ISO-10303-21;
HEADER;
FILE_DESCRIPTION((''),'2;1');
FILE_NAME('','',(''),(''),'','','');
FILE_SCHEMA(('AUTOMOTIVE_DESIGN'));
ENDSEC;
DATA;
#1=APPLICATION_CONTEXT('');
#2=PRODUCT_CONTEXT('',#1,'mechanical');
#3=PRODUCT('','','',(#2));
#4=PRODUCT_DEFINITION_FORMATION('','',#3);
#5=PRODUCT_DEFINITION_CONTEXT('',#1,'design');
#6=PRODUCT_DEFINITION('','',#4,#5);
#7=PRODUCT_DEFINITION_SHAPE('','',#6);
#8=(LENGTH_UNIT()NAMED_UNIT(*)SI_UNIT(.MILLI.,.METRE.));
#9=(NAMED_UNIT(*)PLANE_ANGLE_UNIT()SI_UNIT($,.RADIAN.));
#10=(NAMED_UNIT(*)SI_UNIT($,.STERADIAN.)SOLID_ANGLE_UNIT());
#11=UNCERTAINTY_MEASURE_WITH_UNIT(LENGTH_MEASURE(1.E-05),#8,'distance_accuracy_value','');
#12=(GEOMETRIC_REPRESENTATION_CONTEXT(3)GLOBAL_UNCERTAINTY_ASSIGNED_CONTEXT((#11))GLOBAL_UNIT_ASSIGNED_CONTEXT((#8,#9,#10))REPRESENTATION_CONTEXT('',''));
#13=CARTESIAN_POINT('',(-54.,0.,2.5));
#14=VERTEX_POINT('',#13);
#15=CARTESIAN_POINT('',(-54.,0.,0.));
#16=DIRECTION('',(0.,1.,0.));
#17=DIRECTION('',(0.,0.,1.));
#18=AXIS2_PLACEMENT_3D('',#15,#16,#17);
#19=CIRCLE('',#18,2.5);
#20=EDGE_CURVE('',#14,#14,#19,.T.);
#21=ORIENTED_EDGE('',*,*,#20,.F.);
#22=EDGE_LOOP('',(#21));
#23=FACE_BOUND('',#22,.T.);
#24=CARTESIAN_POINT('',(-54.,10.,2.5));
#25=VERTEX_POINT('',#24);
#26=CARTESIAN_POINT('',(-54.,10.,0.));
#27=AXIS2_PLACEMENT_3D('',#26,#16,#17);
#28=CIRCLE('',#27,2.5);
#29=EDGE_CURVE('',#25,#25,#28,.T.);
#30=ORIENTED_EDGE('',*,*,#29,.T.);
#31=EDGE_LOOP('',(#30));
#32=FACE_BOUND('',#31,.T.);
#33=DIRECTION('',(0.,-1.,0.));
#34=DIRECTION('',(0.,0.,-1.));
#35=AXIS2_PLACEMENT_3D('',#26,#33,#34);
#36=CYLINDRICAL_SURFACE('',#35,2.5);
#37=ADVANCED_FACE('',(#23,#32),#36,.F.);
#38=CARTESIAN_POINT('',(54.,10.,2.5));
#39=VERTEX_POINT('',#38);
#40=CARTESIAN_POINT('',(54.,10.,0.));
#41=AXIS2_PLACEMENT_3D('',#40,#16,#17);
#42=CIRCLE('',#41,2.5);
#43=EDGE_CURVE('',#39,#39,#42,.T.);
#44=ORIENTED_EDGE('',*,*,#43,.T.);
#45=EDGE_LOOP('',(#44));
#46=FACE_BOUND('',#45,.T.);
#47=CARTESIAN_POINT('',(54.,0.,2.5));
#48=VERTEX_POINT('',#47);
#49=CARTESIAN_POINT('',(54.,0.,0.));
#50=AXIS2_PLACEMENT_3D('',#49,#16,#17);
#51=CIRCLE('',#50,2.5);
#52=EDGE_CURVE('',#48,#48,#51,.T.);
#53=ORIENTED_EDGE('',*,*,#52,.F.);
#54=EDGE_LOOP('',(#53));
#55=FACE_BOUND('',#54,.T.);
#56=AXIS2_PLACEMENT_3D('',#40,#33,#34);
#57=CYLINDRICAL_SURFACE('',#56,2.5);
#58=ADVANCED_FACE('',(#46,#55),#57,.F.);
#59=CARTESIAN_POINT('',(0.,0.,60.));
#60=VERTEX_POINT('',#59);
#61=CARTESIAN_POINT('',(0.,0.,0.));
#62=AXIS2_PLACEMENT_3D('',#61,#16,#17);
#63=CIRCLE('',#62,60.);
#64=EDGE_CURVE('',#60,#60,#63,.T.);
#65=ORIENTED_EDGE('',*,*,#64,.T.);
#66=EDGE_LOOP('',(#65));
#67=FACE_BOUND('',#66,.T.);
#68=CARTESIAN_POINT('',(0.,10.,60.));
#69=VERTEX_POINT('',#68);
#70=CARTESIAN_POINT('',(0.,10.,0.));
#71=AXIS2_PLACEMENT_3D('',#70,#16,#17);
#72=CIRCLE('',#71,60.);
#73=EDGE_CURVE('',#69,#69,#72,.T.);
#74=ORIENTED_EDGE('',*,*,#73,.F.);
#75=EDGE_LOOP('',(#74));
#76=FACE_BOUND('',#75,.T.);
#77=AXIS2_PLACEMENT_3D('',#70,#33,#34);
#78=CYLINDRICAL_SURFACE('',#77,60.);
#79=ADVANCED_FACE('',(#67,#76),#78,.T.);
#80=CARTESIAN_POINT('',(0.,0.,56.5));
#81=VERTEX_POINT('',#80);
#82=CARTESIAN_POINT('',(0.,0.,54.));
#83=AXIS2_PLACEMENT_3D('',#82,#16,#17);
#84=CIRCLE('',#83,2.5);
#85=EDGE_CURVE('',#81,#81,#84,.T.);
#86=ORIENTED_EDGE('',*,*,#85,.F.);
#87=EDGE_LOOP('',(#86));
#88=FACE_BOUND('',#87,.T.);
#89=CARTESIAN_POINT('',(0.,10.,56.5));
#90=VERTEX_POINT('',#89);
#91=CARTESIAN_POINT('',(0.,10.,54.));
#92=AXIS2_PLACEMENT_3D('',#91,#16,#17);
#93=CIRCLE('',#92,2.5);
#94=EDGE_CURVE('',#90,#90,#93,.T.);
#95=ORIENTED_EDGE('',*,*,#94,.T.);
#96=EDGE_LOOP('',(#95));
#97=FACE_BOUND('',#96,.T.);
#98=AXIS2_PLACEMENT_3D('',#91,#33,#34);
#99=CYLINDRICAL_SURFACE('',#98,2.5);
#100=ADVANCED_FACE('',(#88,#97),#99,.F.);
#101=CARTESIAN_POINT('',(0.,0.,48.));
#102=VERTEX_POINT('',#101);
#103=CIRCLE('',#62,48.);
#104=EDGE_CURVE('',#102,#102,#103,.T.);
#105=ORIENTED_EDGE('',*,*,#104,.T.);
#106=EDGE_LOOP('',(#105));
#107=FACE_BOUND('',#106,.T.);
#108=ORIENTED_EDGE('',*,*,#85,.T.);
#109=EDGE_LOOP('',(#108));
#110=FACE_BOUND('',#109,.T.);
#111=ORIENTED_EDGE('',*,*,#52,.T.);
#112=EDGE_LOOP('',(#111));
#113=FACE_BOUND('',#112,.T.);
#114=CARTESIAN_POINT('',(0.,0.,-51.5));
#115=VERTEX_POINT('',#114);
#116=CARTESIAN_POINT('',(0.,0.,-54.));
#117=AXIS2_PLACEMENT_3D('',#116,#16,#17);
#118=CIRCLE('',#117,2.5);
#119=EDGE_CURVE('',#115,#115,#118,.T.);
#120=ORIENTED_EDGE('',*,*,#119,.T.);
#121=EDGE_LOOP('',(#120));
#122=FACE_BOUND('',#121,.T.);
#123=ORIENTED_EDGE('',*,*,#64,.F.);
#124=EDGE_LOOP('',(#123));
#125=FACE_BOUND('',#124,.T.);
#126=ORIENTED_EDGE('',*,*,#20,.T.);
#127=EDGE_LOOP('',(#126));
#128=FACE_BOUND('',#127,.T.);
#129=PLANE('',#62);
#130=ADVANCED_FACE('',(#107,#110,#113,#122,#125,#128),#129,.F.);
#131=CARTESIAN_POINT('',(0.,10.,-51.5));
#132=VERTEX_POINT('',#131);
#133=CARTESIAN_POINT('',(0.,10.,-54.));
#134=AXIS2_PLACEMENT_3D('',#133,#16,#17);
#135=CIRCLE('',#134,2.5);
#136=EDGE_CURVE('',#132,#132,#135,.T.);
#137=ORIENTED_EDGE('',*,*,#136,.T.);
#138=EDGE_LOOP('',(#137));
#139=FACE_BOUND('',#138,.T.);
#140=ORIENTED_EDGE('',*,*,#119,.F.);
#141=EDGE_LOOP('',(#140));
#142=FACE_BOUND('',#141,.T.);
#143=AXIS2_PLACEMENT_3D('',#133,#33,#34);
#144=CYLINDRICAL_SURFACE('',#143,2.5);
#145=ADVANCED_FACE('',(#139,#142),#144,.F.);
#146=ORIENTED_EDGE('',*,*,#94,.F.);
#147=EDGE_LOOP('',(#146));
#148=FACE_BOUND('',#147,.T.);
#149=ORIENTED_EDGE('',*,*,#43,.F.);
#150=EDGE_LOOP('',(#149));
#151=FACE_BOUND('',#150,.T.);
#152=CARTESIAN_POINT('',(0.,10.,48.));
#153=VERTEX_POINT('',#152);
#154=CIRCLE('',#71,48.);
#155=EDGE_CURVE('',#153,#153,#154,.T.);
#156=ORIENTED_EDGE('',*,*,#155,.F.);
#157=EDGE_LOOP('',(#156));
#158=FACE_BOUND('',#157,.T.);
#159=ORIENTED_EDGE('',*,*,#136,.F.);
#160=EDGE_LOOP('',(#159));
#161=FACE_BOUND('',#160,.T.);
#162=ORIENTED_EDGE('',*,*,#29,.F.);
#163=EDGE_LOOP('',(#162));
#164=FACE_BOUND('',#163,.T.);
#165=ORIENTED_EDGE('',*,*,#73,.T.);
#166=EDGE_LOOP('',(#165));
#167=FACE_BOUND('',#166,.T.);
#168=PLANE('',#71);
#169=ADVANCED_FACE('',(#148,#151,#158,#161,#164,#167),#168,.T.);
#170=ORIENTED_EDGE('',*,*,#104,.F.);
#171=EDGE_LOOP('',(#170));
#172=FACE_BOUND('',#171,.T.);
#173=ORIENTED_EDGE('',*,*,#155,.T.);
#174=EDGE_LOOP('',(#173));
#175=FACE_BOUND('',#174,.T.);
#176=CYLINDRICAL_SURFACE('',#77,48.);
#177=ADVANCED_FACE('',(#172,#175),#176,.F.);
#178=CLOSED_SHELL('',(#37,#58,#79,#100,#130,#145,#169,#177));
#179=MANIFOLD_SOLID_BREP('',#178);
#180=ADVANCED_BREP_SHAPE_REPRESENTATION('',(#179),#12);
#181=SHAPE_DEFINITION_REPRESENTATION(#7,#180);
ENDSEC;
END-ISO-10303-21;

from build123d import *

# Parameters (mm, degrees)
SKETCH1_R           = 60
SKETCH1_R_2         = 48
SKETCH1_R_3         = 2.5
BOSS_EXTRUDE1_DEPTH = 10


with BuildPart() as part:
    # Sketch1 → Boss-Extrude1 (new body)
    with BuildSketch(Plane(origin=(0, 0, 0), x_dir=(1, 0, 0), z_dir=(0, 1, 0))):
        with Locations(Location((0, 0, 0), (0, 0, 270))):
            Circle(SKETCH1_R)
        with Locations(Location((0, 0, 0), (0, 0, 270))):
            Circle(SKETCH1_R_2, mode=Mode.SUBTRACT)
        with Locations(Location((-54, 0, 0), (0, 0, 270))):
            Circle(SKETCH1_R_3, mode=Mode.SUBTRACT)
        with Locations(Location((0, 54, 0), (0, 0, 270))):
            Circle(SKETCH1_R_3, mode=Mode.SUBTRACT)
        with Locations(Location((54, 0, 0), (0, 0, 270))):
            Circle(SKETCH1_R_3, mode=Mode.SUBTRACT)
        with Locations(Location((0, -54, 0), (0, 0, 270))):
            Circle(SKETCH1_R_3, mode=Mode.SUBTRACT)
    extrude(amount=BOSS_EXTRUDE1_DEPTH)


solid = part.part
